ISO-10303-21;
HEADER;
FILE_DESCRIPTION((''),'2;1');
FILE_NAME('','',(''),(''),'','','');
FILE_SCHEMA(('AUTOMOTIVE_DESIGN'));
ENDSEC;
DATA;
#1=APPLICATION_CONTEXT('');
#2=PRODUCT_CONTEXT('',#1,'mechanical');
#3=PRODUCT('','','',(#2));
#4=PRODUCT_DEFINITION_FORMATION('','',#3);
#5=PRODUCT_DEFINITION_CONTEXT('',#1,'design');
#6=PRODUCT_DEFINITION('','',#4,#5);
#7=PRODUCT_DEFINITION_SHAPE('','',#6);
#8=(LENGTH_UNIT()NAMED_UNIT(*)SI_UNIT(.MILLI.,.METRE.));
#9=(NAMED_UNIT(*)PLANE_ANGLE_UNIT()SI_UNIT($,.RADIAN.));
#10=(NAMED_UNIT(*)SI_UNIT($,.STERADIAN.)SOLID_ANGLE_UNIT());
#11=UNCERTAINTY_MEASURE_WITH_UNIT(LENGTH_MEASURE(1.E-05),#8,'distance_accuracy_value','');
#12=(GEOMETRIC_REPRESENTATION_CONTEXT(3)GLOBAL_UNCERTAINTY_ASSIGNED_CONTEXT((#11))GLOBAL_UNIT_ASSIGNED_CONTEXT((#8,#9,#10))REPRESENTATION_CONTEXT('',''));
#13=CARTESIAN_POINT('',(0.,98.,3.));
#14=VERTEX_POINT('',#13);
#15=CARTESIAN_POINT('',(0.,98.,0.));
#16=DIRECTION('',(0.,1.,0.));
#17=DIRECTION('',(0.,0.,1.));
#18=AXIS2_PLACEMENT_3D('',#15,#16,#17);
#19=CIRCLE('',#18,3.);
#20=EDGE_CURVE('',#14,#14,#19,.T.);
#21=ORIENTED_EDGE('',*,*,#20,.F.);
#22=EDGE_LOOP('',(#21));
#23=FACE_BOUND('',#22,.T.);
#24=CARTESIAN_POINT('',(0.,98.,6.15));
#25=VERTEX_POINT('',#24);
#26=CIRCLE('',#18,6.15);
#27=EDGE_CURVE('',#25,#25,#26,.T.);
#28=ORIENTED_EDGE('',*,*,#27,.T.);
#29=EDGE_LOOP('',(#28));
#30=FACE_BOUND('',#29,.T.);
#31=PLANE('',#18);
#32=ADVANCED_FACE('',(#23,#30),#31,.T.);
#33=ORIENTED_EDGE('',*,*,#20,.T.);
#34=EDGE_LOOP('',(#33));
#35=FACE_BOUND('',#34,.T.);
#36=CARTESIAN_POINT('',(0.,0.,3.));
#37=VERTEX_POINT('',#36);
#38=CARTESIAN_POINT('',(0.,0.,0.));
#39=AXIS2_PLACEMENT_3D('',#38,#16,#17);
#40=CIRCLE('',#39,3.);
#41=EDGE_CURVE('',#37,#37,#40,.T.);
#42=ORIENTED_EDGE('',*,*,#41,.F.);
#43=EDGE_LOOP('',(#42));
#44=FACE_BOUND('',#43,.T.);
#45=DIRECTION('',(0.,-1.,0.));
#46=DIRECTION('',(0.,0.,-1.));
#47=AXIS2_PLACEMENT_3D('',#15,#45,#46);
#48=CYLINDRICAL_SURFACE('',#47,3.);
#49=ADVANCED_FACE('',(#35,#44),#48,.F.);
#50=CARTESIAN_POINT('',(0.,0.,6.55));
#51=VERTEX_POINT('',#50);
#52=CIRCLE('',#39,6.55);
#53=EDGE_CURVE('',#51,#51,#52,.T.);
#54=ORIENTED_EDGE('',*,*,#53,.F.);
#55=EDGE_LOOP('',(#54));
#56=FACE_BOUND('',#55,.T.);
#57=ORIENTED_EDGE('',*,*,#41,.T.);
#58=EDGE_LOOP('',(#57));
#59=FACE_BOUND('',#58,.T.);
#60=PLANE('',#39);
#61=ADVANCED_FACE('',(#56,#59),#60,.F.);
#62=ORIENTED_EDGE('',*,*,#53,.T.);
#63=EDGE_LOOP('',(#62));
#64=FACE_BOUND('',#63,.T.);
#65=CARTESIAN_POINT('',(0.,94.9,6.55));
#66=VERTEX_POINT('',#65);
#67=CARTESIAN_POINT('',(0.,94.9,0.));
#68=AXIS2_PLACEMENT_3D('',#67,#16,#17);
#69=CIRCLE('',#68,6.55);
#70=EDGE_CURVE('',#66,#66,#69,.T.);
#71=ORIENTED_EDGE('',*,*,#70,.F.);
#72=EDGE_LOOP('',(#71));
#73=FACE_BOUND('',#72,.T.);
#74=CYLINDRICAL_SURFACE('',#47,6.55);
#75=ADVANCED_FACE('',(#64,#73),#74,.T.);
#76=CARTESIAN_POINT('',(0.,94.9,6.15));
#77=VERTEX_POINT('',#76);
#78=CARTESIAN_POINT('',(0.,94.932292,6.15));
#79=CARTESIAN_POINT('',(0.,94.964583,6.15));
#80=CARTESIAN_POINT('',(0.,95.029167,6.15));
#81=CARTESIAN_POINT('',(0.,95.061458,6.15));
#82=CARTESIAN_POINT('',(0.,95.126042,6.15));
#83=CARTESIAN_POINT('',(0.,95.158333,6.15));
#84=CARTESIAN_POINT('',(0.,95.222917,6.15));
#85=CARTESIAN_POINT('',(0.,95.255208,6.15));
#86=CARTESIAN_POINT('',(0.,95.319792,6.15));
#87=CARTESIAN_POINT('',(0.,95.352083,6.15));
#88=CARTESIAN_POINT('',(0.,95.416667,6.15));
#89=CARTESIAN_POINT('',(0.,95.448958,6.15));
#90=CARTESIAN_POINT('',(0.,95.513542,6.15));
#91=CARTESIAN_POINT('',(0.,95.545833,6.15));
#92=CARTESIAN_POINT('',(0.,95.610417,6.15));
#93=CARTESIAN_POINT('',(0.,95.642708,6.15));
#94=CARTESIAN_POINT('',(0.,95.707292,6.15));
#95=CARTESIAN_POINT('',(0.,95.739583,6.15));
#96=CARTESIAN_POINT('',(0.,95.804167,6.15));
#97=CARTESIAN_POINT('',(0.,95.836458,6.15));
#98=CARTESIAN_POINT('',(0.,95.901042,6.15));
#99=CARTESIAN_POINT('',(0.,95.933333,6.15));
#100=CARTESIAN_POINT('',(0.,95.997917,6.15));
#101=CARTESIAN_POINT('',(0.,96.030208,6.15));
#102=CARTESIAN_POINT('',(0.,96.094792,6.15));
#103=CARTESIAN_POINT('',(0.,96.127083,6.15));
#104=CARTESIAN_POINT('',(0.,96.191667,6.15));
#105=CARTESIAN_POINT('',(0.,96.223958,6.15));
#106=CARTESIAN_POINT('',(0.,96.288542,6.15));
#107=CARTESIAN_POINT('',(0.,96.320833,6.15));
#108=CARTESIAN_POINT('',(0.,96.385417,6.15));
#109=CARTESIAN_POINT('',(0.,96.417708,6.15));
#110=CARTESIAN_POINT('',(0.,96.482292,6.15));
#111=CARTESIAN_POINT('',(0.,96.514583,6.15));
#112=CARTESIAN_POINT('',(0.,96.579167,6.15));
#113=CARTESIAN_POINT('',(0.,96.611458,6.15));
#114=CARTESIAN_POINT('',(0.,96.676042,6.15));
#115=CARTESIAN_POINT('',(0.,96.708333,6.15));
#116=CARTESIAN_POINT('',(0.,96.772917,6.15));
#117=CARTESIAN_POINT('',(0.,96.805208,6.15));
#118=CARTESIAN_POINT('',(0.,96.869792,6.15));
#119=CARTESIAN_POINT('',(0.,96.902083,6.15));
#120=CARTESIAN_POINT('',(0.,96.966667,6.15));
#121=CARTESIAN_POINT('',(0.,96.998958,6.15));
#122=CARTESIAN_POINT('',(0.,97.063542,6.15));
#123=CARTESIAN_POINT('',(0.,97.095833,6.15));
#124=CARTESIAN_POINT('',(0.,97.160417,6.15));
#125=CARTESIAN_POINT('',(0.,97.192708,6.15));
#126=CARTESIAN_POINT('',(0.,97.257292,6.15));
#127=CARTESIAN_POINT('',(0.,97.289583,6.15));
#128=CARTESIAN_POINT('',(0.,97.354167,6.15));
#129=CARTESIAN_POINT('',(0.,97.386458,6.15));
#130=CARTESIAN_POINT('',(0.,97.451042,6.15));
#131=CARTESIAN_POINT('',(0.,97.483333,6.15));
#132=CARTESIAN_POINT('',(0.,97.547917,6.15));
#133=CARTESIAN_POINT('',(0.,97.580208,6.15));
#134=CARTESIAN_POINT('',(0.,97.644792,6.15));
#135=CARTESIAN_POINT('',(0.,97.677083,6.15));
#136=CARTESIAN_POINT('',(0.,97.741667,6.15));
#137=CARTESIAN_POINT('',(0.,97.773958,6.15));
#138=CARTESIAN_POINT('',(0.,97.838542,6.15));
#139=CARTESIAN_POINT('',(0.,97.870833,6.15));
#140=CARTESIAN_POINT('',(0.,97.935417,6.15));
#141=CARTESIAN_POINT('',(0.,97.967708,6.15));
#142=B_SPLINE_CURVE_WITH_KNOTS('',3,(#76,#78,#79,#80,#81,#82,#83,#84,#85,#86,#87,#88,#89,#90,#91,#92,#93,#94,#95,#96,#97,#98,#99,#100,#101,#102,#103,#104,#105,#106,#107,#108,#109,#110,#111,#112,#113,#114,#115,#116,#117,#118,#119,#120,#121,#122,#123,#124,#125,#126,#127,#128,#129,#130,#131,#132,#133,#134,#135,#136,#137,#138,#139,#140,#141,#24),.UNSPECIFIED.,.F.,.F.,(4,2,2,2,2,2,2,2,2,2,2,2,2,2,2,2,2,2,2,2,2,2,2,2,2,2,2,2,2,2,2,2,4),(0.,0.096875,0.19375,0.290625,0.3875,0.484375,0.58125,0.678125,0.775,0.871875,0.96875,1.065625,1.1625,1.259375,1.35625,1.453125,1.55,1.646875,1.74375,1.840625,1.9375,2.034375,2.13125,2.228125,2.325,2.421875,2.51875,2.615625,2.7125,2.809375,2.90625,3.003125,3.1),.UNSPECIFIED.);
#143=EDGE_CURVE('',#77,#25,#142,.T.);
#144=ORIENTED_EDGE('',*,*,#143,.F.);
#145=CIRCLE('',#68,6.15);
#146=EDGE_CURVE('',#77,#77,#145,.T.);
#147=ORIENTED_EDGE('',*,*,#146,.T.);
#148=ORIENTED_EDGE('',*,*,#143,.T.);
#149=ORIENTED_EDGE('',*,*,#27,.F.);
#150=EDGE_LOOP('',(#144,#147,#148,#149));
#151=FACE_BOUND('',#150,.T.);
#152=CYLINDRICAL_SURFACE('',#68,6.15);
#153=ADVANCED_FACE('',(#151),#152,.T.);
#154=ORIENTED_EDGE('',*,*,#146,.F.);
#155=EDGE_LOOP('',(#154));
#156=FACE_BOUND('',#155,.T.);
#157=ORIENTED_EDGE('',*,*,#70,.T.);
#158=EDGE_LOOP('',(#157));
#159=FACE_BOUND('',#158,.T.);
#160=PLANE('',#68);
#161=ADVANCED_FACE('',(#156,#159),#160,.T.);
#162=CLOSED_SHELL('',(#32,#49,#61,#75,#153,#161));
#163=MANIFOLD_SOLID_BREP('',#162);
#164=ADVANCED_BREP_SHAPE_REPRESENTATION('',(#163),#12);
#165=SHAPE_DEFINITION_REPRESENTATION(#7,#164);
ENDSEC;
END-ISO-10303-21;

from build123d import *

# Parameters (mm, degrees)
SKETCH1_R           = 6.55
SKETCH1_R_2         = 3
BOSS_EXTRUDE1_DEPTH = 98
CUT_EXTRUDE1_START  = -3.1
SKETCH2_R           = 6.55
SKETCH2_R_2         = 6.15
CUT_EXTRUDE1_DEPTH  = 3.1


with BuildPart() as part:
    # Sketch1 → Boss-Extrude1 (new body)
    with BuildSketch(Plane(origin=(0, 0, 0), x_dir=(1, 0, 0), z_dir=(0, 1, 0))):
        with Locations(Location((0, 0, 0), (0, 0, 270))):
            Circle(SKETCH1_R)
        with Locations(Location((0, 0, 0), (0, 0, 270))):
            Circle(SKETCH1_R_2, mode=Mode.SUBTRACT)
    extrude(amount=BOSS_EXTRUDE1_DEPTH)

    # Sketch2 → Cut-Extrude1 (cut)
    with BuildSketch(Plane(origin=(0, 98, 0), x_dir=(1, 0, 0), z_dir=(0, 1, 0)).offset(CUT_EXTRUDE1_START)):
        with Locations(Location((0, 0, 0), (0, 0, 270))):
            Circle(SKETCH2_R)
        with Locations(Location((0, 0, 0), (0, 0, 270))):
            Circle(SKETCH2_R_2, mode=Mode.SUBTRACT)
    extrude(amount=CUT_EXTRUDE1_DEPTH, mode=Mode.SUBTRACT)


solid = part.part
